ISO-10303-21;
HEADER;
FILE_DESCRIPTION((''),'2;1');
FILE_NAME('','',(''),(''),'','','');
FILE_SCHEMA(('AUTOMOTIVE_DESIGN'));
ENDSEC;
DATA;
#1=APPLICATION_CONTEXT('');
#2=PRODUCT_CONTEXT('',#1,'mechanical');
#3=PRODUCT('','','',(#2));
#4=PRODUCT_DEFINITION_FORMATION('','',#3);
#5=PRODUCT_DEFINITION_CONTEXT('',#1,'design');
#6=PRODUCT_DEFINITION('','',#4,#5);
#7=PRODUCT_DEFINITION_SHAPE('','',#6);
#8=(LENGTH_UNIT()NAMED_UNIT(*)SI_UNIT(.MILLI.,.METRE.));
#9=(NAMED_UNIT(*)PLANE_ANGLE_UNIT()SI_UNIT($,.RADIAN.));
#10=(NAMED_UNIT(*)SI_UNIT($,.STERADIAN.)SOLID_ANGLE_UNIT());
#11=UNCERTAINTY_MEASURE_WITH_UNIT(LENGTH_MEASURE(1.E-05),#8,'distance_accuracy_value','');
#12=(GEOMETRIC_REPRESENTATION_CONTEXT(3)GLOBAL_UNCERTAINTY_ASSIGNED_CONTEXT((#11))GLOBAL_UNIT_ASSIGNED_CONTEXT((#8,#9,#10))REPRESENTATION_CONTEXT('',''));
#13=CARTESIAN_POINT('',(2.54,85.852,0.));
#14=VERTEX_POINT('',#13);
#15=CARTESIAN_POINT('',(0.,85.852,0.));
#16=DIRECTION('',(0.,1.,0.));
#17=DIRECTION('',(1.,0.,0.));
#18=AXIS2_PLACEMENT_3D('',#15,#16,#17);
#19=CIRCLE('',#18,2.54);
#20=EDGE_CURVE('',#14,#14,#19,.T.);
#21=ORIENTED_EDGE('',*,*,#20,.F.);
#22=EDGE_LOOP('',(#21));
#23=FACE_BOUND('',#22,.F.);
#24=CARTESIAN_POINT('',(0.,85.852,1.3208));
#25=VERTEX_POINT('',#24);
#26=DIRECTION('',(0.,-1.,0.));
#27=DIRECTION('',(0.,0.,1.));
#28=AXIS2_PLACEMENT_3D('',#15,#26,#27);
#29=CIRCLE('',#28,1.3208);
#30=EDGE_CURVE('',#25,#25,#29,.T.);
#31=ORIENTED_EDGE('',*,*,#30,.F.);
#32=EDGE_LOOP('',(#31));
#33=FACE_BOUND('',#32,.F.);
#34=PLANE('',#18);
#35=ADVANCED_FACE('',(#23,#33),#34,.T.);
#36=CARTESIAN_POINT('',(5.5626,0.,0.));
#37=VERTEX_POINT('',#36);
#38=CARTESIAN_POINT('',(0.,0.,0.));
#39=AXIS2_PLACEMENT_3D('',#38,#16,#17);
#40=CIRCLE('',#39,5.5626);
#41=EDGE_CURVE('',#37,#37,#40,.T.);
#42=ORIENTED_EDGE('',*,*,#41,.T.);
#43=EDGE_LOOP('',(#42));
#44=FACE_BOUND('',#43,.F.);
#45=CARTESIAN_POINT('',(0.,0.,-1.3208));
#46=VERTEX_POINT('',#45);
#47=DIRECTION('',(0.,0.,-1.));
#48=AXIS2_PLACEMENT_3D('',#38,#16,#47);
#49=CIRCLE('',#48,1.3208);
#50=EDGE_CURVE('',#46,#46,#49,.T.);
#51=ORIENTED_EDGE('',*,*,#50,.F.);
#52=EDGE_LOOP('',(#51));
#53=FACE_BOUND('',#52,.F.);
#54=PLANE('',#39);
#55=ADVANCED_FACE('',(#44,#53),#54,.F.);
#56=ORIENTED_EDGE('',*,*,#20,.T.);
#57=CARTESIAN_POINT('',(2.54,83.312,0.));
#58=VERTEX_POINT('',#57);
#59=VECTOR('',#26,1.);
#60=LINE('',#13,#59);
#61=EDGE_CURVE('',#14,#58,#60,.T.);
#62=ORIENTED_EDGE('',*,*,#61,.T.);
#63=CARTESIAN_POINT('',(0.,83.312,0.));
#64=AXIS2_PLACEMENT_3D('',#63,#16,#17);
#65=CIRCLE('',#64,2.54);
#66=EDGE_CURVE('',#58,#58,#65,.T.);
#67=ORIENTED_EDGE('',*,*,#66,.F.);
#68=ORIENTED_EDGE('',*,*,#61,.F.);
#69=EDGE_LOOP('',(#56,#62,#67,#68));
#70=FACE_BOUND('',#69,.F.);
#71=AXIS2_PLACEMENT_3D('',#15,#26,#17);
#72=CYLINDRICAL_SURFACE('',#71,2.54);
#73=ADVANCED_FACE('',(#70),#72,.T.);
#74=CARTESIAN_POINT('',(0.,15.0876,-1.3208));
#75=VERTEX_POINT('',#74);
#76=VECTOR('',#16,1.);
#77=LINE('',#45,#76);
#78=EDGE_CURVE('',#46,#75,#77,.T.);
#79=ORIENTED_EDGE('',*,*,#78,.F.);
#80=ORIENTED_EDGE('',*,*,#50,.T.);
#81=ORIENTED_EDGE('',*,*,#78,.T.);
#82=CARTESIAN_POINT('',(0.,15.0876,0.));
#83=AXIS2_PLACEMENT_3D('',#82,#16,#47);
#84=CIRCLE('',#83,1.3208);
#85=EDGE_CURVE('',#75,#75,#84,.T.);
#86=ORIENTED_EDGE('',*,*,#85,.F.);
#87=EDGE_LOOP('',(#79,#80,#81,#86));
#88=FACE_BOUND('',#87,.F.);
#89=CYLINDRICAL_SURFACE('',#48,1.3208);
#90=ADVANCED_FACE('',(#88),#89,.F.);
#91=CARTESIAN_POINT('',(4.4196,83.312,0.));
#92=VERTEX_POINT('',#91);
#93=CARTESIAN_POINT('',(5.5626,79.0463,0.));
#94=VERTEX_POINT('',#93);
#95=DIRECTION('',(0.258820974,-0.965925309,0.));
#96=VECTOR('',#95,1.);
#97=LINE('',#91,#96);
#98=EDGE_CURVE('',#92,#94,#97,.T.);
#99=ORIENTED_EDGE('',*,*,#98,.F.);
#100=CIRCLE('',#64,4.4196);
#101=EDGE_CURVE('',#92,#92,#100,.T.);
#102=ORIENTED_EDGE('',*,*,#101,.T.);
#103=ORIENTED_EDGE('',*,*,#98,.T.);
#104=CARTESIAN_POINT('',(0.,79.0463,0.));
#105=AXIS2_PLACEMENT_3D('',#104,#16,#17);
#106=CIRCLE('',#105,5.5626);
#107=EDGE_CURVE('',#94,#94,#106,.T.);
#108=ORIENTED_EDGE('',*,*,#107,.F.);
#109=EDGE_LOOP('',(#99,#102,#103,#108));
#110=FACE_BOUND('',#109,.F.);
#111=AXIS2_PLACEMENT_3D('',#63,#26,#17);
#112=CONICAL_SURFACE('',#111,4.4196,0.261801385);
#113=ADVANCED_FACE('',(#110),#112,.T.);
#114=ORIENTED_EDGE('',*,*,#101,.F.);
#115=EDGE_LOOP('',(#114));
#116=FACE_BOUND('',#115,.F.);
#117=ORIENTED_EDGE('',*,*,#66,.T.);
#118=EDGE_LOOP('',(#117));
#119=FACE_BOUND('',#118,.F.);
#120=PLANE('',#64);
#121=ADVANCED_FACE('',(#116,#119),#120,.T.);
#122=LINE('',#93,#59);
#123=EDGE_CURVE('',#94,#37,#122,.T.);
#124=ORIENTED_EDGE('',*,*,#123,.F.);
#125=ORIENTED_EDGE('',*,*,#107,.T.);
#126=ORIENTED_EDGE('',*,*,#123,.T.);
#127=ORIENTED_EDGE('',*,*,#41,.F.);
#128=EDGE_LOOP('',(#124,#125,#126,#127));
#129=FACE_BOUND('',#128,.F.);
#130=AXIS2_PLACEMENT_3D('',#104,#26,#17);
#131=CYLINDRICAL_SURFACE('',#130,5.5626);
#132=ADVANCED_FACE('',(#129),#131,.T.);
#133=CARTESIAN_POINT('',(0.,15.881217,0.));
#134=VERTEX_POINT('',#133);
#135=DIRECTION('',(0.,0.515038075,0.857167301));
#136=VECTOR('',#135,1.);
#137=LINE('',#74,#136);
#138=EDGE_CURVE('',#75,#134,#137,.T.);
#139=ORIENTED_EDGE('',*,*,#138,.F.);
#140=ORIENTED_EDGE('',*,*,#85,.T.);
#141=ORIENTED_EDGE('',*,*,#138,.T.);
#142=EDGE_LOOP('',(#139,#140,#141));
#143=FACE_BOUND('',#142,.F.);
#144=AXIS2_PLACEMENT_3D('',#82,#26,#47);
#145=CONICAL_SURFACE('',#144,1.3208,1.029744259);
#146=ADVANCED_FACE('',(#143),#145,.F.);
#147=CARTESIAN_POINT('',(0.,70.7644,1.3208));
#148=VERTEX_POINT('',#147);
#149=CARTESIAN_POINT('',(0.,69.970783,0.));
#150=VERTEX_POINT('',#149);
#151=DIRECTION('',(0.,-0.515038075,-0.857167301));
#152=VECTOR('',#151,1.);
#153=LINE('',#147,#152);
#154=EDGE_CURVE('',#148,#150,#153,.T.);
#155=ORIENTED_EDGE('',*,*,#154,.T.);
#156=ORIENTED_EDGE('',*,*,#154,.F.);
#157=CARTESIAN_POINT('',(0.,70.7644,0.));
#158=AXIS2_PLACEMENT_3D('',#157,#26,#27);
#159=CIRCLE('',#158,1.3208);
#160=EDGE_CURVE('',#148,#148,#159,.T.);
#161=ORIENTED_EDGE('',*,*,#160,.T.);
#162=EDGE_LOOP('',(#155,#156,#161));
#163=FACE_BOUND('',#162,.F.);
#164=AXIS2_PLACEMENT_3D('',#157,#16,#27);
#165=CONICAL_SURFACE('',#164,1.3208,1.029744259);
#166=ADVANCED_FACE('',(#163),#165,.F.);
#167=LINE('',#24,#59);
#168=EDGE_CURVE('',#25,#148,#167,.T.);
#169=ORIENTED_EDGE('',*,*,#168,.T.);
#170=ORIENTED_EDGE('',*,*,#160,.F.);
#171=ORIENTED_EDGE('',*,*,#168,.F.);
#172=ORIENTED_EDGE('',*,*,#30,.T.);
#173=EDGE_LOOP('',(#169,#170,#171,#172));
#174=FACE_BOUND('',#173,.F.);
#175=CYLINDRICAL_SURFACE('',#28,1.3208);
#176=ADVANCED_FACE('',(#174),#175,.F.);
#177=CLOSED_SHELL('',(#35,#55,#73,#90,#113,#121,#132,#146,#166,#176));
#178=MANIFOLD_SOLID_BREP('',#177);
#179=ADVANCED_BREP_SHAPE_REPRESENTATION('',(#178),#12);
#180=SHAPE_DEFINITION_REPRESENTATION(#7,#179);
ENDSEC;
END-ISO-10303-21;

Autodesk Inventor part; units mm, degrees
ref_plane "YZ Plane" through (0, 0, 0) normal (1, 0, 0) x (0, 1, 0)
ref_plane "XZ Plane" through (0, 0, 0) normal (0, 1, 0) x (-1, 0, 0)
ref_plane "XY Plane" through (0, 0, 0) normal (0, 0, 1) x (1, 0, 0)
sketch "Sketch1" plane through (0, 0, 0) normal (0, 0, 1) x (1, 0, 0)
  line L0 (0, 0) -> (0, 85.852)
  line L1 (0, 85.852) -> (2.54, 85.852)
  line L2 (2.54, 85.852) -> (2.54, 83.312)
  line L3 (5.5626, 79.0463) -> (5.5626, 0)
  line L4 (5.5626, 0) -> (0, 0)
  line L5 (2.54, 83.312) -> (4.4196, 83.312)
  line L6 (4.4196, 83.312) -> (5.5626, 79.0463)
  dimension "d0" = 83.312
  dimension "d1" = 2.54
  dimension "d2" = 75
  dimension "d3" = 1.143
  dimension "d4" = 5.5626
  dimension "d5" = 2.54
revolve "Revolution1" add sketch "Sketch1" angle 360 about axis through (0, 0, 0) along (0, 1, 0)
hole "Hole1" at (0, 0, 0) direction (0, 1, 0) diameter 2.6416 depth 15.0876 tip angle 118 thread size "6-32 UNC" class "2B" standard "ANSI Unified Screw Threads"
hole "Hole2" at (0, 85.852, 0) direction (0, -1, 0) diameter 2.6416 depth 15.0876 tip angle 118 thread size "6-32 UNC" class "2B" standard "ANSI Unified Screw Threads"
properties part number "kinect standoff" material "Aluminum-6061"
